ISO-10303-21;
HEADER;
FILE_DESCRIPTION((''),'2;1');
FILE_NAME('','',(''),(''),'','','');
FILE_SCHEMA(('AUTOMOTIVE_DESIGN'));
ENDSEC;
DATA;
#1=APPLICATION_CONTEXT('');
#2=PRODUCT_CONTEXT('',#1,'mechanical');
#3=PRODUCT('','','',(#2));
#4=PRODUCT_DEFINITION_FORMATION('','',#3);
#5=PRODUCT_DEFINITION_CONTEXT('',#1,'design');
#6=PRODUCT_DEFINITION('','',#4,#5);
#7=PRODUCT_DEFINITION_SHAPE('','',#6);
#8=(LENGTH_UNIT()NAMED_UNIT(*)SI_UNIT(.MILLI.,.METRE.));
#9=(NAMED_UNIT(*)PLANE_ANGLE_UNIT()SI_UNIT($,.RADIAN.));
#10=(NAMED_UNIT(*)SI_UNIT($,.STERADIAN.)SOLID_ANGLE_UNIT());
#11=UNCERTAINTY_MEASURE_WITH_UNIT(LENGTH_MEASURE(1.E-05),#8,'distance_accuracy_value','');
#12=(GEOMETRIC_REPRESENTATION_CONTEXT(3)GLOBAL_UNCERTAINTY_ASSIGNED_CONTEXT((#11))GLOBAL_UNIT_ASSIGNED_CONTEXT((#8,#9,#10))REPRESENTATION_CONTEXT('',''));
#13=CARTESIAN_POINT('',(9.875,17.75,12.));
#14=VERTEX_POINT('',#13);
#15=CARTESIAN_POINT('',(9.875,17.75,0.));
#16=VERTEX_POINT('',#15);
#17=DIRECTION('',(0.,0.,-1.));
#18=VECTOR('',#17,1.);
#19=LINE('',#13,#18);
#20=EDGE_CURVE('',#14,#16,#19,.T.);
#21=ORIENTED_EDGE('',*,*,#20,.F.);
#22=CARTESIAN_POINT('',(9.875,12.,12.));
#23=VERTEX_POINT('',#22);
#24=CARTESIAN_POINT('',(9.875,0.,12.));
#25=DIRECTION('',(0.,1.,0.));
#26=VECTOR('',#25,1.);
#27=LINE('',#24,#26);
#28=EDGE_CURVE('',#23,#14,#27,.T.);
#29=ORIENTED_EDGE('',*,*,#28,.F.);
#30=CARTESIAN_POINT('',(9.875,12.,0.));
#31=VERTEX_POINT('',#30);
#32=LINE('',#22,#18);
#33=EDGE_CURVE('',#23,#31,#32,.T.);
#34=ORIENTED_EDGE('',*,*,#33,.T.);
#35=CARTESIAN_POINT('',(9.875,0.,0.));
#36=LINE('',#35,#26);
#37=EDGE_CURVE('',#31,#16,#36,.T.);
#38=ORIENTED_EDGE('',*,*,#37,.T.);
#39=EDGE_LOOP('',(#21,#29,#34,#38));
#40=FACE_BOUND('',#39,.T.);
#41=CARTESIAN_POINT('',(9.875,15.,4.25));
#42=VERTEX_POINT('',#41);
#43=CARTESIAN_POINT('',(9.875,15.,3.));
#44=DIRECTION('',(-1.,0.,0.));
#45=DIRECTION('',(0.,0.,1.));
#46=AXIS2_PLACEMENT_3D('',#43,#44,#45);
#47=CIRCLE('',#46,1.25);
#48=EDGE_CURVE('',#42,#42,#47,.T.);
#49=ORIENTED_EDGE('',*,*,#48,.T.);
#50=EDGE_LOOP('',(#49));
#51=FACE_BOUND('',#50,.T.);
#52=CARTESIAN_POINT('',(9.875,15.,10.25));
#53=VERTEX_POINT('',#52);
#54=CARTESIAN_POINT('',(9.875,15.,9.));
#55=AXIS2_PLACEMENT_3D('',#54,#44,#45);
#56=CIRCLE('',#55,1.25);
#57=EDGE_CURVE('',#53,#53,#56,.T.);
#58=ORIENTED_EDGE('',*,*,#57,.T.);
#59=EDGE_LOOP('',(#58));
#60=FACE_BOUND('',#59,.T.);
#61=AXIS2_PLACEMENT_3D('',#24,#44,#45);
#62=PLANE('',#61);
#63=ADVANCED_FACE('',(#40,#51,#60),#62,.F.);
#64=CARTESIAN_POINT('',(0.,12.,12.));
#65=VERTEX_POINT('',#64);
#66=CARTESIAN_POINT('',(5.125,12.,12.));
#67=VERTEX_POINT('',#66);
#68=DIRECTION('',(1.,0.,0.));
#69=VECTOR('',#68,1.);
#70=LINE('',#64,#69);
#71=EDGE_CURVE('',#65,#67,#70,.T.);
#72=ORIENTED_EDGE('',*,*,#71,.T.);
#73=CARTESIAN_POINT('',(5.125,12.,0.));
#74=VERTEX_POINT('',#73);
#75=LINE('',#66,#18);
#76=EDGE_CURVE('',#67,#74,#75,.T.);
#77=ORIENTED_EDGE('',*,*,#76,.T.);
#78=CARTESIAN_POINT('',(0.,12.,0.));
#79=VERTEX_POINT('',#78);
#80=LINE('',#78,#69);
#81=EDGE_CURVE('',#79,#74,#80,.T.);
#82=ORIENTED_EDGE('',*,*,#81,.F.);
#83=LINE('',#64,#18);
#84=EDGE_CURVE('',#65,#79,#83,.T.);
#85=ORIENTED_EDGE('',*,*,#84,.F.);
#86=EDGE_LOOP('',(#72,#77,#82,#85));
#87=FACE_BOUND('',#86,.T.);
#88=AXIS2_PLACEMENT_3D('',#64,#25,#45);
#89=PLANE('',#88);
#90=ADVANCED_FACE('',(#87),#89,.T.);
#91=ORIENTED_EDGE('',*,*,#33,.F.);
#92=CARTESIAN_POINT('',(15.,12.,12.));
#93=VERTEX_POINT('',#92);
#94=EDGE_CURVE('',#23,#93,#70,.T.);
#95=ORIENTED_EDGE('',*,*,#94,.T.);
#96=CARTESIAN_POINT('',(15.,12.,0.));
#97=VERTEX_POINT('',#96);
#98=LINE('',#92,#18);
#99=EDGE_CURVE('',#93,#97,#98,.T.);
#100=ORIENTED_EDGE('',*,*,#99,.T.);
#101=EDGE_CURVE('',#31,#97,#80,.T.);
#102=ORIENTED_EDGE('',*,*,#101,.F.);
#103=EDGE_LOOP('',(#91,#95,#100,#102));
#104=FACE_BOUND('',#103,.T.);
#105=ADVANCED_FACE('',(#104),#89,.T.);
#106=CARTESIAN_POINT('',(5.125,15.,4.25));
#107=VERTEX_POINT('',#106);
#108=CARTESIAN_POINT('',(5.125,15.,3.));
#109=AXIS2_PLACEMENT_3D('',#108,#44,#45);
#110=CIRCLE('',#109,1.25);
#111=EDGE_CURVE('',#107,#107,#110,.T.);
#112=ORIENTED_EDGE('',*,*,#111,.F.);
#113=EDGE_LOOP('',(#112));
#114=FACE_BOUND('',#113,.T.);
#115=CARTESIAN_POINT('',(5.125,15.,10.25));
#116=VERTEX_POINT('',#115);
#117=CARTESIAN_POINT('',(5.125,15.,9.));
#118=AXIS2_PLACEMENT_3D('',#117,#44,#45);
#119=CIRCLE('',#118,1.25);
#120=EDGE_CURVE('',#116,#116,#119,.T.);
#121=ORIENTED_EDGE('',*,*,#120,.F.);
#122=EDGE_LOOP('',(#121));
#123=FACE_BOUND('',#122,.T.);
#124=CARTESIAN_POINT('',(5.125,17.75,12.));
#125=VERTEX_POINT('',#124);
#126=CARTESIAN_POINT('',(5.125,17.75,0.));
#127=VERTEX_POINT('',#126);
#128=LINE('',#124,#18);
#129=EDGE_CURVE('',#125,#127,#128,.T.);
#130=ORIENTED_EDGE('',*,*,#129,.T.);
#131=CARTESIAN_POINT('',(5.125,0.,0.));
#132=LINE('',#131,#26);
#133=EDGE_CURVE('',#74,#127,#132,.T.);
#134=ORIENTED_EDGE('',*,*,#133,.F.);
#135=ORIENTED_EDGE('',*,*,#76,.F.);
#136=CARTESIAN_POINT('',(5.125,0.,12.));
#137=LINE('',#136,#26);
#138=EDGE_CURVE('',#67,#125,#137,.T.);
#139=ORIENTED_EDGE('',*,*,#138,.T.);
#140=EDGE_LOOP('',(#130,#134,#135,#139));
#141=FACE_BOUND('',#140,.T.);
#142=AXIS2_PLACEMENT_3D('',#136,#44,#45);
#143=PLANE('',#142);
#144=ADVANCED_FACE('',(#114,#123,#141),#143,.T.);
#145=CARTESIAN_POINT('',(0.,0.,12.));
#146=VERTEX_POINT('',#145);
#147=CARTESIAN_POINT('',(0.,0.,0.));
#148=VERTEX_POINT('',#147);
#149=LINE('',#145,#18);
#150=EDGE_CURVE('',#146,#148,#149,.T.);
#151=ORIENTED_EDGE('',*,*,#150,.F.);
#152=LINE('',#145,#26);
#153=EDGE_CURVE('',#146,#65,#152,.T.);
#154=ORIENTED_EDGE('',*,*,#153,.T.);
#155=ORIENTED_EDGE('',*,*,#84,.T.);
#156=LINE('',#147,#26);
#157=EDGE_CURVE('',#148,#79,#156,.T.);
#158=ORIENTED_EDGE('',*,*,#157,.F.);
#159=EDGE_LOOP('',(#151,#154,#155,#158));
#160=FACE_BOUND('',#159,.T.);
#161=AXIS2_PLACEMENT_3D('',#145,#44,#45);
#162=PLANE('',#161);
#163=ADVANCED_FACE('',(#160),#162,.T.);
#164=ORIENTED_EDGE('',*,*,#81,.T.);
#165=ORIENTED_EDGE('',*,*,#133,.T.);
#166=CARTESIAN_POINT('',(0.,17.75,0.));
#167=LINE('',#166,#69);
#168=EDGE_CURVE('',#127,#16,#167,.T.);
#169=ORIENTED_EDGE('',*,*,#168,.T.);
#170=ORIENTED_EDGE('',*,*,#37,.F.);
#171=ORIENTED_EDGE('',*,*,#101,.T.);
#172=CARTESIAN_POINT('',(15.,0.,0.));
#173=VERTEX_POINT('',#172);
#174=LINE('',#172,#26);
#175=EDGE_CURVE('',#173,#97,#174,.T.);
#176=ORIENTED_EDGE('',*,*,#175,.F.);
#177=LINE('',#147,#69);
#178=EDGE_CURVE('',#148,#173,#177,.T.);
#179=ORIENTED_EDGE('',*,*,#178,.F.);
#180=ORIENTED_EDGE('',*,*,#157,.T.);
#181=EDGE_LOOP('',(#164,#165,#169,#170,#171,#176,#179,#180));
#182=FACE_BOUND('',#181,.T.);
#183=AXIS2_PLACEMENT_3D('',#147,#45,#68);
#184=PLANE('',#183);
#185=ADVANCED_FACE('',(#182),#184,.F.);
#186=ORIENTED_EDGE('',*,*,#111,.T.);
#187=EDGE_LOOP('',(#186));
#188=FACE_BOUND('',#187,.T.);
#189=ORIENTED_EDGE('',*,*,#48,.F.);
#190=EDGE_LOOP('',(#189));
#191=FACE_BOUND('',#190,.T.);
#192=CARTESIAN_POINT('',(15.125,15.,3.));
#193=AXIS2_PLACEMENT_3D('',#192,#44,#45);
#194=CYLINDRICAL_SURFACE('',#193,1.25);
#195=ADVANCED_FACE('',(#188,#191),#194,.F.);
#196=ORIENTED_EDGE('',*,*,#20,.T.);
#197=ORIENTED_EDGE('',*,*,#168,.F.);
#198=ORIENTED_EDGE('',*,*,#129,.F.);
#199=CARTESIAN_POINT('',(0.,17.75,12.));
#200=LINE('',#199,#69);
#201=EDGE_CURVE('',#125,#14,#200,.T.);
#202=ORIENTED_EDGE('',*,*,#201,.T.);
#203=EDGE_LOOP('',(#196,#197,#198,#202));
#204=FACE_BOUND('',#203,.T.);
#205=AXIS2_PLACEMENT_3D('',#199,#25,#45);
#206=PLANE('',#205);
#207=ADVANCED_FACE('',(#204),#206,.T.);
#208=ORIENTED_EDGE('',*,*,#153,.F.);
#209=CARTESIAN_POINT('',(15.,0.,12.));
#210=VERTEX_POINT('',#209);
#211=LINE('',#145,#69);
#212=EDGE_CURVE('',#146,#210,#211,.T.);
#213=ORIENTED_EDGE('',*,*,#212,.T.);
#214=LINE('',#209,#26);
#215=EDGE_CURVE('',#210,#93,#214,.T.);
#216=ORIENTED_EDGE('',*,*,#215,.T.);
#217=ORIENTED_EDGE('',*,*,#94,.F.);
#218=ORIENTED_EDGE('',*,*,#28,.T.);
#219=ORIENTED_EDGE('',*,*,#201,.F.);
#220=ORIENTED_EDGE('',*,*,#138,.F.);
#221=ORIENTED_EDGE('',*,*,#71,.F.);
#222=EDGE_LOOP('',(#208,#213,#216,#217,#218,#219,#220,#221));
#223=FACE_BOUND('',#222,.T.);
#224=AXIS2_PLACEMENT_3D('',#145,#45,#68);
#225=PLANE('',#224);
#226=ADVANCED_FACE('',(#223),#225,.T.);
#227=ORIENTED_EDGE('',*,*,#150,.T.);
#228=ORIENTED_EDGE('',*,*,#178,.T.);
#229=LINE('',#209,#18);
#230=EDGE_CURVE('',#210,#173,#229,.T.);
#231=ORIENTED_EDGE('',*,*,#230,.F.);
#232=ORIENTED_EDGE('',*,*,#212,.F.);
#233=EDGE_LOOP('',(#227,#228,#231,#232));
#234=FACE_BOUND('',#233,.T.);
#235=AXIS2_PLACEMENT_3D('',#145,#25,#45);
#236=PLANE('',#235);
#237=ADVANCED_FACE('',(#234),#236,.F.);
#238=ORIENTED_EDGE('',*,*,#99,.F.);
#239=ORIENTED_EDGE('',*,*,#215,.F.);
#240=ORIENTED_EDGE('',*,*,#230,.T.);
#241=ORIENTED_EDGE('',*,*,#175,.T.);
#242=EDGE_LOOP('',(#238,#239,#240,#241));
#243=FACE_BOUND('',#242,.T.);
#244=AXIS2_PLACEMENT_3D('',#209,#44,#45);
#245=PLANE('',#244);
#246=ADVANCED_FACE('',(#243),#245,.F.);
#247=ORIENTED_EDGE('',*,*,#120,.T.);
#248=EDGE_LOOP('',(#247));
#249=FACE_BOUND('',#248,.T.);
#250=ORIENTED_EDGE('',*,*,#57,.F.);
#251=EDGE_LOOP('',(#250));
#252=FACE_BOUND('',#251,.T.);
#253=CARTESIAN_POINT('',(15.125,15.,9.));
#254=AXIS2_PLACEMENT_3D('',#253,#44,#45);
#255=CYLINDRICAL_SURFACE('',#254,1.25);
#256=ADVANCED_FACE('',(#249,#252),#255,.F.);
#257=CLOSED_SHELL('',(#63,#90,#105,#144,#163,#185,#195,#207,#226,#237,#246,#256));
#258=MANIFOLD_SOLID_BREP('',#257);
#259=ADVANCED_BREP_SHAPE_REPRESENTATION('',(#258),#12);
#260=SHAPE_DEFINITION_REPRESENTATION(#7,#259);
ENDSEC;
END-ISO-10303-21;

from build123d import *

# Parameters (mm, degrees)
SKETCH1_W           = 4.75
SKETCH1_H           = 5.75
SKETCH1_W_2         = 15
SKETCH1_H_2         = 12
BOSS_EXTRUDE1_DEPTH = 12
SKETCH2_R           = 1.25
CUT_EXTRUDE1_DEPTH  = 10


with BuildPart() as part:
    # Sketch1 → Boss-Extrude1 (new body)
    with BuildSketch(Plane.XY):
        with Locations((7.5, 14.875)):
            Rectangle(SKETCH1_W, SKETCH1_H)
        with Locations((7.5, 6)):
            Rectangle(SKETCH1_W_2, SKETCH1_H_2)
    extrude(amount=BOSS_EXTRUDE1_DEPTH)

    # Sketch2 → Cut-Extrude1 (cut)
    with BuildSketch(Plane.ZY.offset(-5.125)):
        with Locations((3, 15)):
            Circle(SKETCH2_R)
        with Locations((9, 15)):
            Circle(SKETCH2_R)
    extrude(amount=-CUT_EXTRUDE1_DEPTH, mode=Mode.SUBTRACT)


solid = part.part
